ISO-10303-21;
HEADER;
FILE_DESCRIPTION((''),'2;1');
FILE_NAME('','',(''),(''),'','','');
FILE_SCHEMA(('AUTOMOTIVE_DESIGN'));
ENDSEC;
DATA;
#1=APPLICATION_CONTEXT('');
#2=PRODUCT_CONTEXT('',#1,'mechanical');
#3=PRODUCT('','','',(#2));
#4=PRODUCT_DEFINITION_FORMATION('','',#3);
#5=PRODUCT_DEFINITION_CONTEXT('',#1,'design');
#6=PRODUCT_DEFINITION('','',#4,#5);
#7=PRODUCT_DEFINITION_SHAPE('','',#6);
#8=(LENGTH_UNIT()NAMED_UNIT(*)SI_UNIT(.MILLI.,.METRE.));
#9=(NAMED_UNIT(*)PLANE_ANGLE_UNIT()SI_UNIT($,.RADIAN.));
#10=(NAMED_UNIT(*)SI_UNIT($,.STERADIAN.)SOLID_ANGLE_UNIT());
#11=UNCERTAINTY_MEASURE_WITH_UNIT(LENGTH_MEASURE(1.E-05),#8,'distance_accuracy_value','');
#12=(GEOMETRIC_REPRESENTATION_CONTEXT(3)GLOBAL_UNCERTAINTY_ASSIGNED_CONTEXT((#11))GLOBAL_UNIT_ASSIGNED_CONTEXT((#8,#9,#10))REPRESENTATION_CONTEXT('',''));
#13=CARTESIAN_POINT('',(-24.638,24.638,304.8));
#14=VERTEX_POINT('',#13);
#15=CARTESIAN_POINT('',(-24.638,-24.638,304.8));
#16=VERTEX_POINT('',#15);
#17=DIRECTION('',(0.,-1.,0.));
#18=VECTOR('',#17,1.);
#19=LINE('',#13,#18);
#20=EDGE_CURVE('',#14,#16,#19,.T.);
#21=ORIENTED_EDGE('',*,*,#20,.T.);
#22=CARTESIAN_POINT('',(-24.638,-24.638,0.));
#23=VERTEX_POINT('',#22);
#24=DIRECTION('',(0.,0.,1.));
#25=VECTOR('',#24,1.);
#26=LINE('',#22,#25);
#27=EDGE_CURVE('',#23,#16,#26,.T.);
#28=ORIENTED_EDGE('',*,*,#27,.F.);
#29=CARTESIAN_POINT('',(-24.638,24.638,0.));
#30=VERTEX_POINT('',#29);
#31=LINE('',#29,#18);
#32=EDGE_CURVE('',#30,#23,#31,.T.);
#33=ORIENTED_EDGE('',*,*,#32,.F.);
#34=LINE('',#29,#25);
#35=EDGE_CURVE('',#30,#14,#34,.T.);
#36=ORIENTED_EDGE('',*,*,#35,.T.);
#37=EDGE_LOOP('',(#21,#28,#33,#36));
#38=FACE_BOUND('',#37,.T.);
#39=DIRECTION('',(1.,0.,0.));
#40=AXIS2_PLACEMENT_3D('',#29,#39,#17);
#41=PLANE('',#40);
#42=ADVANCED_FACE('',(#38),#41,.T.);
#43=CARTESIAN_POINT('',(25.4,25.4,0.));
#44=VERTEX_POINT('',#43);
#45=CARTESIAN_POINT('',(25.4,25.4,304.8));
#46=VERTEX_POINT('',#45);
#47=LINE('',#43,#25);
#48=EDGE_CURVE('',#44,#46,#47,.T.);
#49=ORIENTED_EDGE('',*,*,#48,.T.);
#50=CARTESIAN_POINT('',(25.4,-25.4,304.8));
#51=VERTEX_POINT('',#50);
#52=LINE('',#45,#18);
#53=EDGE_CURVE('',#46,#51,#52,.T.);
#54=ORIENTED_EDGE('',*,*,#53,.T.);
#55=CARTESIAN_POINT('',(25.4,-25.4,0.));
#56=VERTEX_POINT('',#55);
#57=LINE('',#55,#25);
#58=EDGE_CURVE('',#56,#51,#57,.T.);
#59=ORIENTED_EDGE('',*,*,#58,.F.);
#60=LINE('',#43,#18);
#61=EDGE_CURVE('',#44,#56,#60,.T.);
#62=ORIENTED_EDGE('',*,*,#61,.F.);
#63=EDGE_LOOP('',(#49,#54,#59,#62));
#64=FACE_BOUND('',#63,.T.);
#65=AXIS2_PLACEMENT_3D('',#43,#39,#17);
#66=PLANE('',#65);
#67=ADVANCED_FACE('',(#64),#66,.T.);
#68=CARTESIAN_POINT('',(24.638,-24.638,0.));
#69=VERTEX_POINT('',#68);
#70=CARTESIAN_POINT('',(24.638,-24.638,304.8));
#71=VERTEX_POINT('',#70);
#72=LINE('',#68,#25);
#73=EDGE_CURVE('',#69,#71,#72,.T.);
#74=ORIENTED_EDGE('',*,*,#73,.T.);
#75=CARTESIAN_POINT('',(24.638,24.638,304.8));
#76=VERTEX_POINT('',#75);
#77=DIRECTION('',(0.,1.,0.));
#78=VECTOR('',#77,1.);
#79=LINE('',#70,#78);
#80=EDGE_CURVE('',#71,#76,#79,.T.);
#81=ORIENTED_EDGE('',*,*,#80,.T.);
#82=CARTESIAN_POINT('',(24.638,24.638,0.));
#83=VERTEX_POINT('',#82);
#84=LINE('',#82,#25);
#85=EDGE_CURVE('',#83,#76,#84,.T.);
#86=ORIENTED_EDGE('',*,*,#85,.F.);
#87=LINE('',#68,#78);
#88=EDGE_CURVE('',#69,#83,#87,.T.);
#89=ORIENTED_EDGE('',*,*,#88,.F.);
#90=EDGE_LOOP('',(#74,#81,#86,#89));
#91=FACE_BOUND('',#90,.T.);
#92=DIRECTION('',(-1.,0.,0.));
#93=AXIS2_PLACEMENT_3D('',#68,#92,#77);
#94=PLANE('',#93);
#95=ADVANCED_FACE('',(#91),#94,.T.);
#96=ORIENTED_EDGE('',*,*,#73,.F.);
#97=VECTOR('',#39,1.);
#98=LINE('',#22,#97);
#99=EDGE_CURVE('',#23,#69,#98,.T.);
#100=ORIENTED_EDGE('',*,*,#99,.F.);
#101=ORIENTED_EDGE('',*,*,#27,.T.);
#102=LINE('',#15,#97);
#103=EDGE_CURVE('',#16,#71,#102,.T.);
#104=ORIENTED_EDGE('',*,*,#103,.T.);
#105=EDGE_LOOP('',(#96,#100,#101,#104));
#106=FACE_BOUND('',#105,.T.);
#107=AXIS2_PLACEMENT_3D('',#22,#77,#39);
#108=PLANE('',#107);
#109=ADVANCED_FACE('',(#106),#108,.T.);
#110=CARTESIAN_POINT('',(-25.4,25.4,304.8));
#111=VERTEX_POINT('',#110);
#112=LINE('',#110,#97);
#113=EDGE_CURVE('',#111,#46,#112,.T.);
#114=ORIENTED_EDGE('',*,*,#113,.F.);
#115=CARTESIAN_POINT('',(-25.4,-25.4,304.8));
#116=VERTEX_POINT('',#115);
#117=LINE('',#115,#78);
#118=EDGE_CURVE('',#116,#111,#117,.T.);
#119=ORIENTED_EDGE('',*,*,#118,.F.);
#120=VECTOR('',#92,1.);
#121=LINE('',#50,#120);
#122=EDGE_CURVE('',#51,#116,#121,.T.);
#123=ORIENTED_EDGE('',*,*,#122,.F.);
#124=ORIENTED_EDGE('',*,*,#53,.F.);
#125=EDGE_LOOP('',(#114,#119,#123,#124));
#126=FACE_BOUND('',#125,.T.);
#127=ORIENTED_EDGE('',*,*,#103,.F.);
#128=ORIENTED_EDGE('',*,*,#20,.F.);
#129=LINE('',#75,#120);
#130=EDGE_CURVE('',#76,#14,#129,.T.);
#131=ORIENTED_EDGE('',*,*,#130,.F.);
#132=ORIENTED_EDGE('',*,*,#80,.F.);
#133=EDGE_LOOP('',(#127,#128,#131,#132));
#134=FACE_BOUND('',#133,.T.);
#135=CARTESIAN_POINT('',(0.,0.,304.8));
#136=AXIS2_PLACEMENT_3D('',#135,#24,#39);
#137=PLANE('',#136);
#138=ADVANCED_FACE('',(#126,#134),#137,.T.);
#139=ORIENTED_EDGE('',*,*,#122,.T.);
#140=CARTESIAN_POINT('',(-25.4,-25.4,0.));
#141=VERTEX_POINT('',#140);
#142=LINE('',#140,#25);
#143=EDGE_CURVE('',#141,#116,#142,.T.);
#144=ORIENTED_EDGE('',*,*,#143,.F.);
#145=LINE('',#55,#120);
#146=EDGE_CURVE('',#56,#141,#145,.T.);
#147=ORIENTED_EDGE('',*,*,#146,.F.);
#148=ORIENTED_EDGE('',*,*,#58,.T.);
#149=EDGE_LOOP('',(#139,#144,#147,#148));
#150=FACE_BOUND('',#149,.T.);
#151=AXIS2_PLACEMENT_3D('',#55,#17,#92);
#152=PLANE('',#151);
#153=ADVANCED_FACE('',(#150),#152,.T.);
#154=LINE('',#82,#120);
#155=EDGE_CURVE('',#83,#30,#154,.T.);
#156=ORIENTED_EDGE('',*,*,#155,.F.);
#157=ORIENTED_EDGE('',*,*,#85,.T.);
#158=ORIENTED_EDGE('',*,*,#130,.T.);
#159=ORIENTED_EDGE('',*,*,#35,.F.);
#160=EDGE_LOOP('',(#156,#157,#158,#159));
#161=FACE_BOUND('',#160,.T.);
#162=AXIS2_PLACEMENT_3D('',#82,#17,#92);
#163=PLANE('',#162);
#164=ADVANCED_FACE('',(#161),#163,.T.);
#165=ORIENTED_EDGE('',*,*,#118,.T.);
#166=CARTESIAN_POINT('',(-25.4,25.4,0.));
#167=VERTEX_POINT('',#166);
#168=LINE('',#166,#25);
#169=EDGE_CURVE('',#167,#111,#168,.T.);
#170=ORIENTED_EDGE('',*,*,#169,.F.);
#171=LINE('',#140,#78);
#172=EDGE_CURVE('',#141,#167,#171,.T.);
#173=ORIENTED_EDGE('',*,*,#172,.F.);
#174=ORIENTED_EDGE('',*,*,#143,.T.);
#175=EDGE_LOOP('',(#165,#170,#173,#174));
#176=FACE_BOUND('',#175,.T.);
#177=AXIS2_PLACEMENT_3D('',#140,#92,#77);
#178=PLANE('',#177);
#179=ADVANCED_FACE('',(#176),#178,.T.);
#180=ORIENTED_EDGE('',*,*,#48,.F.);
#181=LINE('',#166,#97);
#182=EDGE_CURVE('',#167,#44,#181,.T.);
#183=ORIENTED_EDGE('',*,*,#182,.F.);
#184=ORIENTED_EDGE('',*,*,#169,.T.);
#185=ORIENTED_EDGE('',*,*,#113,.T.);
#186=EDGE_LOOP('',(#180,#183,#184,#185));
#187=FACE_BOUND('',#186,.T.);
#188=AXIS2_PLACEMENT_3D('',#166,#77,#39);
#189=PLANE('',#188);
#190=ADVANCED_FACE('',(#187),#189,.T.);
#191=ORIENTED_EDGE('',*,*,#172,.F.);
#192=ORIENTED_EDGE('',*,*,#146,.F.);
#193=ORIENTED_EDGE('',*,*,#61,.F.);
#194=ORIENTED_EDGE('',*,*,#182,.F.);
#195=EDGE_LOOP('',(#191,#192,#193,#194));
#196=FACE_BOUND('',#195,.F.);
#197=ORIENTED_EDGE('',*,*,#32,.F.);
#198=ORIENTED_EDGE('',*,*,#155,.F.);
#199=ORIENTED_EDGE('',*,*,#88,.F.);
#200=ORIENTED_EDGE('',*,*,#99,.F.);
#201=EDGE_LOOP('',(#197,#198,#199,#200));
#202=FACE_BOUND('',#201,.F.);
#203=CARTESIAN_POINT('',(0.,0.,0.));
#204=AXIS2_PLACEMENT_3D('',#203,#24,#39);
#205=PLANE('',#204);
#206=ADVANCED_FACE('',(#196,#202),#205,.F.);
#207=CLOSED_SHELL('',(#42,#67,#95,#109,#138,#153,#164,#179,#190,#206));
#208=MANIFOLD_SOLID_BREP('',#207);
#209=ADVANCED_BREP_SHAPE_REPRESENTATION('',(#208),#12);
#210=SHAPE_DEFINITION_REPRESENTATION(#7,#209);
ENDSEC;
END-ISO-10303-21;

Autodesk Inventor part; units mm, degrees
ref_plane "YZ Plane" through (0, 0, 0) normal (1, 0, 0) x (0, 1, 0)
ref_plane "XZ Plane" through (0, 0, 0) normal (0, 1, 0) x (-1, 0, 0)
ref_plane "XY Plane" through (0, 0, 0) normal (0, 0, 1) x (1, 0, 0)
sketch "Sketch1" plane through (0, 0, 0) normal (0, 0, 1) x (1, 0, 0)
  line L0 (-25.4, 25.4) -> (25.4, 25.4)
  line L1 (25.4, 25.4) -> (25.4, -25.4)
  line L2 (25.4, -25.4) -> (-25.4, -25.4)
  line L3 (-25.4, -25.4) -> (-25.4, 25.4)
  line L4 (24.638, 24.638) -> (-24.638, 24.638)
  line L5 (-24.638, 24.638) -> (-24.638, -24.638)
  line L6 (-24.638, -24.638) -> (24.638, -24.638)
  line L7 (24.638, -24.638) -> (24.638, 24.638)
  point P0 (0, 0)
  point P1 (0, 25.4)
  point P2 (25.4, 0)
  dimension "d0" = 50.8
  dimension "d1" = 50.8
  dimension "d2" = 0.762
extrude "Extrusion1" add sketch "Sketch1" along normal blind 304.8
properties part number "Side Rail"
